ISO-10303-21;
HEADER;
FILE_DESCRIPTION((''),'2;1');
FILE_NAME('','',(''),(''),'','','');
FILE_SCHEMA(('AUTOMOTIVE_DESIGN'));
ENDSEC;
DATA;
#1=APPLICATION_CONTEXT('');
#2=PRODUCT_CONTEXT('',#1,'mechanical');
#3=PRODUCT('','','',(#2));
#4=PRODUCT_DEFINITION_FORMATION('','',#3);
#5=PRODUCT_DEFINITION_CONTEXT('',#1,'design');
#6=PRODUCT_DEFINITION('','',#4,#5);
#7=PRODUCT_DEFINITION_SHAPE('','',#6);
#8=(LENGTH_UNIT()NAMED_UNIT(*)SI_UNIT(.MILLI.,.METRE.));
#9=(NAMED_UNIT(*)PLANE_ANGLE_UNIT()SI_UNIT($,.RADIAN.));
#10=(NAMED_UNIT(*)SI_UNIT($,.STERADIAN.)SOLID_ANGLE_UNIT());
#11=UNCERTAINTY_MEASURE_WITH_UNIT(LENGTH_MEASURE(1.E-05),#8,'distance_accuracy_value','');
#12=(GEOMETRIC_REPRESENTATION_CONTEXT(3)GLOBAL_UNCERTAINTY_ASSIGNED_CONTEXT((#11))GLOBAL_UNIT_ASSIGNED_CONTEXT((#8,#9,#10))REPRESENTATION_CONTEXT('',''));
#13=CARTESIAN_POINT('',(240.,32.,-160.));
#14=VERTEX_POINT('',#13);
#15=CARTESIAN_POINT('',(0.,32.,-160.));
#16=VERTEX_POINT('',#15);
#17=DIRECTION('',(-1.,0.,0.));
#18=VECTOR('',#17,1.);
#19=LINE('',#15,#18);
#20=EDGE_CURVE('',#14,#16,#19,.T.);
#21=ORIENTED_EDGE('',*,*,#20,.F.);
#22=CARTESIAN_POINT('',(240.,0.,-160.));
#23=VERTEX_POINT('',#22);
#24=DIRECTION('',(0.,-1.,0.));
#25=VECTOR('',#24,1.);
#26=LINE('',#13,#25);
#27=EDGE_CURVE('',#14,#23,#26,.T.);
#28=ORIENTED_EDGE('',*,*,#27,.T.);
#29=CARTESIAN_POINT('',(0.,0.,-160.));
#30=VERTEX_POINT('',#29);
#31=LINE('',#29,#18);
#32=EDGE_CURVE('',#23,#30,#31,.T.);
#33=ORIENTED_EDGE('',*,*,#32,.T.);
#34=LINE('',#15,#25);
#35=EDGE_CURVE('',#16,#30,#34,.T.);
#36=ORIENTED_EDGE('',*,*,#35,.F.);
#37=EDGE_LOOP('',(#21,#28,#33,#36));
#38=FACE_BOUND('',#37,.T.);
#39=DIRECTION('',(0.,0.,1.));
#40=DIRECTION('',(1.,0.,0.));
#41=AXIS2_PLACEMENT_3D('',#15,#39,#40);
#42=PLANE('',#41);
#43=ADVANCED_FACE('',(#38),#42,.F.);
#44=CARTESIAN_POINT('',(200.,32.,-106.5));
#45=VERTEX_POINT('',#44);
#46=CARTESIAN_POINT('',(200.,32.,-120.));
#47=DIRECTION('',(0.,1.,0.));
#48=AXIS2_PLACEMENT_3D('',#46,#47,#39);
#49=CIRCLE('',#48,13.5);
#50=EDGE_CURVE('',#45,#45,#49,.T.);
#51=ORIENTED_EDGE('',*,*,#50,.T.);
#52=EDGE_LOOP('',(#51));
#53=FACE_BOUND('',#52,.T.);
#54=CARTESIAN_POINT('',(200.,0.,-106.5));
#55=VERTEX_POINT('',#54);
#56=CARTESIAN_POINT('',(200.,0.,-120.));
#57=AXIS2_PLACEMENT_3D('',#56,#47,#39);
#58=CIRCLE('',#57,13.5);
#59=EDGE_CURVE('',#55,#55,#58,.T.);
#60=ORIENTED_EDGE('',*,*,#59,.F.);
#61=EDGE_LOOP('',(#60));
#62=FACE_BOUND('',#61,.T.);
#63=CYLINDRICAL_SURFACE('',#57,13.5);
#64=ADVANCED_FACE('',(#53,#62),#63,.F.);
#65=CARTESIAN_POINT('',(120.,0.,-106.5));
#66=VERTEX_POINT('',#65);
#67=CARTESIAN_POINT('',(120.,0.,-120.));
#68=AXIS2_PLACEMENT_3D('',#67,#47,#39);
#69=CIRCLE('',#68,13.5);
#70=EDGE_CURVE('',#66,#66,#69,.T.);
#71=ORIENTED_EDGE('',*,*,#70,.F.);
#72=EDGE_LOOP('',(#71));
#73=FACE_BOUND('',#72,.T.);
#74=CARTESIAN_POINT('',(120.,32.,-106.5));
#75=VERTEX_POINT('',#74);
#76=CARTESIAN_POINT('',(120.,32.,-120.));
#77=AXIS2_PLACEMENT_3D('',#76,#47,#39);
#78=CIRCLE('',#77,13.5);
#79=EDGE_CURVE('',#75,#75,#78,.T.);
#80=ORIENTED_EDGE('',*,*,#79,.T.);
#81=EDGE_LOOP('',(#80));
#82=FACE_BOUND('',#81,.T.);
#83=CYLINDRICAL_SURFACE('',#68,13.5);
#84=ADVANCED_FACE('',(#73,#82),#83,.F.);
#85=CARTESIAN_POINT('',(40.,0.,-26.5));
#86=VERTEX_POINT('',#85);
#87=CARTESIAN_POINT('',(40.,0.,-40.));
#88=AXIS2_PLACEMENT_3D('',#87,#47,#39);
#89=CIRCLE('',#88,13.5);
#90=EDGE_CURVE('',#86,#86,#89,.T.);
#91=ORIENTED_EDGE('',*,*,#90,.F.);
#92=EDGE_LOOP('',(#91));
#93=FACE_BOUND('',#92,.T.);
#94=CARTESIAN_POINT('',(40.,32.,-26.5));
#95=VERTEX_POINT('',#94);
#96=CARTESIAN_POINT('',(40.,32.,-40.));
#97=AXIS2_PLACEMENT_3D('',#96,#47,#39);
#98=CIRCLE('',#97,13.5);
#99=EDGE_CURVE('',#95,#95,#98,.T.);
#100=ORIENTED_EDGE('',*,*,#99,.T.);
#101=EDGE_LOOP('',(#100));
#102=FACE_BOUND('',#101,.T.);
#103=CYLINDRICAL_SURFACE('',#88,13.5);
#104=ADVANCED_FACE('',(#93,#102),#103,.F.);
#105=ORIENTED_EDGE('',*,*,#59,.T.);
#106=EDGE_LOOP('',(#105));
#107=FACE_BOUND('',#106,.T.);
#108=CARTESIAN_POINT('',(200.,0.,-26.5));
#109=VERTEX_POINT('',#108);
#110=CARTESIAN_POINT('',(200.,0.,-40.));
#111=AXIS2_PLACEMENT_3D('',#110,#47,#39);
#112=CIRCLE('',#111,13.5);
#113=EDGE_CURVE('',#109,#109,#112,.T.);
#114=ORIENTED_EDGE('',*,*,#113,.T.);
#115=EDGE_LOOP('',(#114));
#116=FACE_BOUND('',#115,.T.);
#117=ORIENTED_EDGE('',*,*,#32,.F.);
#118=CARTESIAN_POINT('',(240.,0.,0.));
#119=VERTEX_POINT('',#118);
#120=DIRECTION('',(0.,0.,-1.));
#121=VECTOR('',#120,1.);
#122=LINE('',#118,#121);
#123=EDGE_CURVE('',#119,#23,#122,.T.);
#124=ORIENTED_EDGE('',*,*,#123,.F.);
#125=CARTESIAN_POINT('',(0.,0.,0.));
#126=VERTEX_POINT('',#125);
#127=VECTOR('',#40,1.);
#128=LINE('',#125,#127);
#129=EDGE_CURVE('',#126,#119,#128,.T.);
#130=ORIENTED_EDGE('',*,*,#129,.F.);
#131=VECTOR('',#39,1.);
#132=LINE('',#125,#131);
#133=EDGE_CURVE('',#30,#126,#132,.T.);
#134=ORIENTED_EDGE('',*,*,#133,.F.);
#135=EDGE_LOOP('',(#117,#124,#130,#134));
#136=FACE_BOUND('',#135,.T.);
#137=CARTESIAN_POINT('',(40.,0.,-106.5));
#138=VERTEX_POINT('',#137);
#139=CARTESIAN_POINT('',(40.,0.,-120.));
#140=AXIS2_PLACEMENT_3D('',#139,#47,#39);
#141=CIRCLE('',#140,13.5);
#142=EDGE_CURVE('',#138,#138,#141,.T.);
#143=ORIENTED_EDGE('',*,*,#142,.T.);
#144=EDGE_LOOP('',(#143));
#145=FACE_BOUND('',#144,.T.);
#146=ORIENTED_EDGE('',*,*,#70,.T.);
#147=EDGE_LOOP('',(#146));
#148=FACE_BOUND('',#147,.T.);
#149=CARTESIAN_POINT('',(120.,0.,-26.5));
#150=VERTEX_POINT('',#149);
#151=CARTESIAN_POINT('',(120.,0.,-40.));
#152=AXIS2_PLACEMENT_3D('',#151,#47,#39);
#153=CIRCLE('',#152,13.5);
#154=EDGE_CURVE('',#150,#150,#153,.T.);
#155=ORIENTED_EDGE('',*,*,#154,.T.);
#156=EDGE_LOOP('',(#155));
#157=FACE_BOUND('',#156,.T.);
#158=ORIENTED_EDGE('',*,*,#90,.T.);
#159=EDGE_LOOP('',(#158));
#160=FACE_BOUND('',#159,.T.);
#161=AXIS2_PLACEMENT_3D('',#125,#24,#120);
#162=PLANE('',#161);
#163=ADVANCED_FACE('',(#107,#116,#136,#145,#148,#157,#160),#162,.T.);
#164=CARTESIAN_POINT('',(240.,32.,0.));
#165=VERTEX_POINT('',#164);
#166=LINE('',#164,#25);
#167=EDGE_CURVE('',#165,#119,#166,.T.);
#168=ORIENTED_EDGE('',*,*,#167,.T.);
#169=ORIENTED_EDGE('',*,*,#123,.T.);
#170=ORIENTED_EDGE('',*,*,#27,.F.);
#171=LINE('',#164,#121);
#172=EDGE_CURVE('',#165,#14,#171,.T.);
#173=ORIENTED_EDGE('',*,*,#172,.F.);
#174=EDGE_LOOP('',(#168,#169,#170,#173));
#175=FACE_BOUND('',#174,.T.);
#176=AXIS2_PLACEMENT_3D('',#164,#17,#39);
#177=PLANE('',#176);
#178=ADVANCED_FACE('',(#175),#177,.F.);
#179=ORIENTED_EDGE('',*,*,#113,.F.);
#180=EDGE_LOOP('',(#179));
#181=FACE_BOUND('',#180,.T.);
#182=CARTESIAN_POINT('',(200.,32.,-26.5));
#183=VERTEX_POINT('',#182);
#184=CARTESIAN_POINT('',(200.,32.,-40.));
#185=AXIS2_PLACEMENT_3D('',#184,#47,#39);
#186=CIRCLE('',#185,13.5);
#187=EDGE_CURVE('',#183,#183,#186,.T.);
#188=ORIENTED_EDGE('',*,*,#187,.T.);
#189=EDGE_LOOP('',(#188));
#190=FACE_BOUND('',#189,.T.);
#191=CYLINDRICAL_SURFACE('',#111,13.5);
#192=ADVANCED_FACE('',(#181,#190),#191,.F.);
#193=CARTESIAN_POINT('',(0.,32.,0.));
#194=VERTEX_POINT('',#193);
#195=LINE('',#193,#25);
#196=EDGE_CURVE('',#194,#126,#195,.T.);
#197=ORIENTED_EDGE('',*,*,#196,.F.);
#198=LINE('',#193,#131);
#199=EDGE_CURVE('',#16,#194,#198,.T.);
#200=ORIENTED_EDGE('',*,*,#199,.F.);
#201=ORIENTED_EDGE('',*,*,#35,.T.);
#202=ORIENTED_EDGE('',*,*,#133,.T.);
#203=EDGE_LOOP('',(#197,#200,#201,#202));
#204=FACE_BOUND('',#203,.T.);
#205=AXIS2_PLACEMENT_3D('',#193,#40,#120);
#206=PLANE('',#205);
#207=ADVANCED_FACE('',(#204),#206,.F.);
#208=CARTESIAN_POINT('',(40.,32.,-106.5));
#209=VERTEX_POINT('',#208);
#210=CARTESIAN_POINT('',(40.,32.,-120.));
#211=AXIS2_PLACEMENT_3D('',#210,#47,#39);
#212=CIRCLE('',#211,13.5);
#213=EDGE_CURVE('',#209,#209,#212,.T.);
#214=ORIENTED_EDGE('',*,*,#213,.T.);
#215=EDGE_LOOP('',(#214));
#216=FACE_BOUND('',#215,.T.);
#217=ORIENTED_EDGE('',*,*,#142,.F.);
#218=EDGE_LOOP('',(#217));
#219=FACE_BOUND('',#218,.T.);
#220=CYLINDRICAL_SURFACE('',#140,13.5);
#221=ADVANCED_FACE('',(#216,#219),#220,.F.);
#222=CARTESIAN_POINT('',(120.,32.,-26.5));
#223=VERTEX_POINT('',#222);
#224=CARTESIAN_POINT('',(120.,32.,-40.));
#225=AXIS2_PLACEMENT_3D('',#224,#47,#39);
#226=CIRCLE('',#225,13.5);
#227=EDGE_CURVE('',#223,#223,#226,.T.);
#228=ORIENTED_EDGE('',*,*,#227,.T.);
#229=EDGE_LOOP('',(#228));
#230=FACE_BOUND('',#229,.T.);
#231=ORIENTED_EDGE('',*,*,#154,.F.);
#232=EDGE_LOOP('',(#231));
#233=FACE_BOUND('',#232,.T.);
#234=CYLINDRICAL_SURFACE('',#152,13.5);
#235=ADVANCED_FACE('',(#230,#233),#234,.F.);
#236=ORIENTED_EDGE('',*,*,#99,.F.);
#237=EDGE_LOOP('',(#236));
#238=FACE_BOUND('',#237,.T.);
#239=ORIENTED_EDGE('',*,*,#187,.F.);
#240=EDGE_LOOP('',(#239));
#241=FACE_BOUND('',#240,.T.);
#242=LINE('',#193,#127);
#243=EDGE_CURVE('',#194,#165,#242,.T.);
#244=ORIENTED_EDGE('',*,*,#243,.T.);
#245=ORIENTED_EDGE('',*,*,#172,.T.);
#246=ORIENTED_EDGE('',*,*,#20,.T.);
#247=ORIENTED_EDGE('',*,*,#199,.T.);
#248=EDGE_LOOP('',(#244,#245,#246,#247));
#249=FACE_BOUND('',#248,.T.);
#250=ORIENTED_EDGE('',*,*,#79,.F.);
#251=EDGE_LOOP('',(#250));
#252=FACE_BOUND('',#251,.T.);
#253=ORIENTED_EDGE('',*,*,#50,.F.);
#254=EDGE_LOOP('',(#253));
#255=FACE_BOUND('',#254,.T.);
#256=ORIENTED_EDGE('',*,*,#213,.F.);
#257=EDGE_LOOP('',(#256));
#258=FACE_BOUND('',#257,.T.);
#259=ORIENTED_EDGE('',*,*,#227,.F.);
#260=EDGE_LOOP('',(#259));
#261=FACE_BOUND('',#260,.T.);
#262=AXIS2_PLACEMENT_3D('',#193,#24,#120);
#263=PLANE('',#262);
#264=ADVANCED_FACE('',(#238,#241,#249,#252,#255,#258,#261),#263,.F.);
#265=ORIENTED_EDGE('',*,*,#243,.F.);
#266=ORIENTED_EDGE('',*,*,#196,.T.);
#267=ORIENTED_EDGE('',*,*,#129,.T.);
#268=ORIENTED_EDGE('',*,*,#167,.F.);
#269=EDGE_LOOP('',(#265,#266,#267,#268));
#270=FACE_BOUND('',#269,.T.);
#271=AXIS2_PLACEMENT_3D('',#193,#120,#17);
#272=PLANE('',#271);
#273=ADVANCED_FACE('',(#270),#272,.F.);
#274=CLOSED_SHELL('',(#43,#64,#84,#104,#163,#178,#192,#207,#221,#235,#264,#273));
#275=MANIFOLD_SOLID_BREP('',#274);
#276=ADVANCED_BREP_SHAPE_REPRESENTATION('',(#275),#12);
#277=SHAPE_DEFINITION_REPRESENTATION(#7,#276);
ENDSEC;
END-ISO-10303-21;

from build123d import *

# Parameters (mm, degrees)
SKETCH_1_W                       = 240
SKETCH_1_H                       = 160
EXTRUDE_1_DEPTH                  = 32
SKETCH_3_R                       = 13.5
CUT_EXTRUDE_2_DEPTH              = 291.213714355
PATTERN_LINEAR_5_COUNT           = 2
PATTERN_LINEAR_5_PITCH           = 80
PATTERN_LINEAR_6_COUNT           = 2
PATTERN_LINEAR_6_PITCH           = 80
PATTERN_LINEAR_7_COUNT           = 2
PATTERN_LINEAR_7_PITCH           = 80
PATTERN_LINEAR_7_COPY_1_SKETCH_R = 13.5
PATTERN_LINEAR_7_COPY_1_DEPTH    = 291.213714355
PATTERN_LINEAR_7_COPY_2_SKETCH_R = 13.5
PATTERN_LINEAR_7_COPY_2_DEPTH    = 291.213714355


with BuildPart() as part:
    # 草图1 → 凸台-拉伸1 (new body)
    with BuildSketch(Plane(origin=(0, 0, 0), x_dir=(1, 0, 0), z_dir=(0, 1, 0))):
        with Locations((120, 80)):
            Rectangle(SKETCH_1_W, SKETCH_1_H)
    extrude(amount=EXTRUDE_1_DEPTH)

    # 草图3 → 切除-拉伸2 (cut, through all)
    with BuildSketch(Plane(origin=(0, 32, 0), x_dir=(1, 0, 0), z_dir=(0, 1, 0))):
        with Locations(Location((120, 120, 0), (0, 0, 270))):
            Circle(SKETCH_3_R)
    cut_extrude_2 = extrude(amount=-CUT_EXTRUDE_2_DEPTH, mode=Mode.SUBTRACT)

    # 阵列(线性)5: 切除-拉伸2 ×2
    with Locations(*[(-i * PATTERN_LINEAR_5_PITCH, 0, 0) for i in range(1, PATTERN_LINEAR_5_COUNT)]):
        add(cut_extrude_2, mode=Mode.SUBTRACT)

    # 阵列(线性)6: 切除-拉伸2 ×2
    with Locations(*[(i * PATTERN_LINEAR_6_PITCH, 0, 0) for i in range(1, PATTERN_LINEAR_6_COUNT)]):
        add(cut_extrude_2, mode=Mode.SUBTRACT)

    # 阵列(线性)7: 切除-拉伸2 ×2
    with Locations(*[(0, 0, i * PATTERN_LINEAR_7_PITCH) for i in range(1, PATTERN_LINEAR_7_COUNT)]):
        add(cut_extrude_2, mode=Mode.SUBTRACT)

    # 阵列(线性)7 copy 1 sketch → 阵列(线性)7 copy 1 (cut, through all)
    with BuildSketch(Plane(origin=(-80, 32, 80), x_dir=(1, 0, 0), z_dir=(0, 1, 0))):
        with Locations(Location((120, 120, 0), (0, 0, 270))):
            Circle(PATTERN_LINEAR_7_COPY_1_SKETCH_R)
    extrude(amount=-PATTERN_LINEAR_7_COPY_1_DEPTH, mode=Mode.SUBTRACT)

    # 阵列(线性)7 copy 2 sketch → 阵列(线性)7 copy 2 (cut, through all)
    with BuildSketch(Plane(origin=(80, 32, 80), x_dir=(1, 0, 0), z_dir=(0, 1, 0))):
        with Locations(Location((120, 120, 0), (0, 0, 270))):
            Circle(PATTERN_LINEAR_7_COPY_2_SKETCH_R)
    extrude(amount=-PATTERN_LINEAR_7_COPY_2_DEPTH, mode=Mode.SUBTRACT)


solid = part.part
